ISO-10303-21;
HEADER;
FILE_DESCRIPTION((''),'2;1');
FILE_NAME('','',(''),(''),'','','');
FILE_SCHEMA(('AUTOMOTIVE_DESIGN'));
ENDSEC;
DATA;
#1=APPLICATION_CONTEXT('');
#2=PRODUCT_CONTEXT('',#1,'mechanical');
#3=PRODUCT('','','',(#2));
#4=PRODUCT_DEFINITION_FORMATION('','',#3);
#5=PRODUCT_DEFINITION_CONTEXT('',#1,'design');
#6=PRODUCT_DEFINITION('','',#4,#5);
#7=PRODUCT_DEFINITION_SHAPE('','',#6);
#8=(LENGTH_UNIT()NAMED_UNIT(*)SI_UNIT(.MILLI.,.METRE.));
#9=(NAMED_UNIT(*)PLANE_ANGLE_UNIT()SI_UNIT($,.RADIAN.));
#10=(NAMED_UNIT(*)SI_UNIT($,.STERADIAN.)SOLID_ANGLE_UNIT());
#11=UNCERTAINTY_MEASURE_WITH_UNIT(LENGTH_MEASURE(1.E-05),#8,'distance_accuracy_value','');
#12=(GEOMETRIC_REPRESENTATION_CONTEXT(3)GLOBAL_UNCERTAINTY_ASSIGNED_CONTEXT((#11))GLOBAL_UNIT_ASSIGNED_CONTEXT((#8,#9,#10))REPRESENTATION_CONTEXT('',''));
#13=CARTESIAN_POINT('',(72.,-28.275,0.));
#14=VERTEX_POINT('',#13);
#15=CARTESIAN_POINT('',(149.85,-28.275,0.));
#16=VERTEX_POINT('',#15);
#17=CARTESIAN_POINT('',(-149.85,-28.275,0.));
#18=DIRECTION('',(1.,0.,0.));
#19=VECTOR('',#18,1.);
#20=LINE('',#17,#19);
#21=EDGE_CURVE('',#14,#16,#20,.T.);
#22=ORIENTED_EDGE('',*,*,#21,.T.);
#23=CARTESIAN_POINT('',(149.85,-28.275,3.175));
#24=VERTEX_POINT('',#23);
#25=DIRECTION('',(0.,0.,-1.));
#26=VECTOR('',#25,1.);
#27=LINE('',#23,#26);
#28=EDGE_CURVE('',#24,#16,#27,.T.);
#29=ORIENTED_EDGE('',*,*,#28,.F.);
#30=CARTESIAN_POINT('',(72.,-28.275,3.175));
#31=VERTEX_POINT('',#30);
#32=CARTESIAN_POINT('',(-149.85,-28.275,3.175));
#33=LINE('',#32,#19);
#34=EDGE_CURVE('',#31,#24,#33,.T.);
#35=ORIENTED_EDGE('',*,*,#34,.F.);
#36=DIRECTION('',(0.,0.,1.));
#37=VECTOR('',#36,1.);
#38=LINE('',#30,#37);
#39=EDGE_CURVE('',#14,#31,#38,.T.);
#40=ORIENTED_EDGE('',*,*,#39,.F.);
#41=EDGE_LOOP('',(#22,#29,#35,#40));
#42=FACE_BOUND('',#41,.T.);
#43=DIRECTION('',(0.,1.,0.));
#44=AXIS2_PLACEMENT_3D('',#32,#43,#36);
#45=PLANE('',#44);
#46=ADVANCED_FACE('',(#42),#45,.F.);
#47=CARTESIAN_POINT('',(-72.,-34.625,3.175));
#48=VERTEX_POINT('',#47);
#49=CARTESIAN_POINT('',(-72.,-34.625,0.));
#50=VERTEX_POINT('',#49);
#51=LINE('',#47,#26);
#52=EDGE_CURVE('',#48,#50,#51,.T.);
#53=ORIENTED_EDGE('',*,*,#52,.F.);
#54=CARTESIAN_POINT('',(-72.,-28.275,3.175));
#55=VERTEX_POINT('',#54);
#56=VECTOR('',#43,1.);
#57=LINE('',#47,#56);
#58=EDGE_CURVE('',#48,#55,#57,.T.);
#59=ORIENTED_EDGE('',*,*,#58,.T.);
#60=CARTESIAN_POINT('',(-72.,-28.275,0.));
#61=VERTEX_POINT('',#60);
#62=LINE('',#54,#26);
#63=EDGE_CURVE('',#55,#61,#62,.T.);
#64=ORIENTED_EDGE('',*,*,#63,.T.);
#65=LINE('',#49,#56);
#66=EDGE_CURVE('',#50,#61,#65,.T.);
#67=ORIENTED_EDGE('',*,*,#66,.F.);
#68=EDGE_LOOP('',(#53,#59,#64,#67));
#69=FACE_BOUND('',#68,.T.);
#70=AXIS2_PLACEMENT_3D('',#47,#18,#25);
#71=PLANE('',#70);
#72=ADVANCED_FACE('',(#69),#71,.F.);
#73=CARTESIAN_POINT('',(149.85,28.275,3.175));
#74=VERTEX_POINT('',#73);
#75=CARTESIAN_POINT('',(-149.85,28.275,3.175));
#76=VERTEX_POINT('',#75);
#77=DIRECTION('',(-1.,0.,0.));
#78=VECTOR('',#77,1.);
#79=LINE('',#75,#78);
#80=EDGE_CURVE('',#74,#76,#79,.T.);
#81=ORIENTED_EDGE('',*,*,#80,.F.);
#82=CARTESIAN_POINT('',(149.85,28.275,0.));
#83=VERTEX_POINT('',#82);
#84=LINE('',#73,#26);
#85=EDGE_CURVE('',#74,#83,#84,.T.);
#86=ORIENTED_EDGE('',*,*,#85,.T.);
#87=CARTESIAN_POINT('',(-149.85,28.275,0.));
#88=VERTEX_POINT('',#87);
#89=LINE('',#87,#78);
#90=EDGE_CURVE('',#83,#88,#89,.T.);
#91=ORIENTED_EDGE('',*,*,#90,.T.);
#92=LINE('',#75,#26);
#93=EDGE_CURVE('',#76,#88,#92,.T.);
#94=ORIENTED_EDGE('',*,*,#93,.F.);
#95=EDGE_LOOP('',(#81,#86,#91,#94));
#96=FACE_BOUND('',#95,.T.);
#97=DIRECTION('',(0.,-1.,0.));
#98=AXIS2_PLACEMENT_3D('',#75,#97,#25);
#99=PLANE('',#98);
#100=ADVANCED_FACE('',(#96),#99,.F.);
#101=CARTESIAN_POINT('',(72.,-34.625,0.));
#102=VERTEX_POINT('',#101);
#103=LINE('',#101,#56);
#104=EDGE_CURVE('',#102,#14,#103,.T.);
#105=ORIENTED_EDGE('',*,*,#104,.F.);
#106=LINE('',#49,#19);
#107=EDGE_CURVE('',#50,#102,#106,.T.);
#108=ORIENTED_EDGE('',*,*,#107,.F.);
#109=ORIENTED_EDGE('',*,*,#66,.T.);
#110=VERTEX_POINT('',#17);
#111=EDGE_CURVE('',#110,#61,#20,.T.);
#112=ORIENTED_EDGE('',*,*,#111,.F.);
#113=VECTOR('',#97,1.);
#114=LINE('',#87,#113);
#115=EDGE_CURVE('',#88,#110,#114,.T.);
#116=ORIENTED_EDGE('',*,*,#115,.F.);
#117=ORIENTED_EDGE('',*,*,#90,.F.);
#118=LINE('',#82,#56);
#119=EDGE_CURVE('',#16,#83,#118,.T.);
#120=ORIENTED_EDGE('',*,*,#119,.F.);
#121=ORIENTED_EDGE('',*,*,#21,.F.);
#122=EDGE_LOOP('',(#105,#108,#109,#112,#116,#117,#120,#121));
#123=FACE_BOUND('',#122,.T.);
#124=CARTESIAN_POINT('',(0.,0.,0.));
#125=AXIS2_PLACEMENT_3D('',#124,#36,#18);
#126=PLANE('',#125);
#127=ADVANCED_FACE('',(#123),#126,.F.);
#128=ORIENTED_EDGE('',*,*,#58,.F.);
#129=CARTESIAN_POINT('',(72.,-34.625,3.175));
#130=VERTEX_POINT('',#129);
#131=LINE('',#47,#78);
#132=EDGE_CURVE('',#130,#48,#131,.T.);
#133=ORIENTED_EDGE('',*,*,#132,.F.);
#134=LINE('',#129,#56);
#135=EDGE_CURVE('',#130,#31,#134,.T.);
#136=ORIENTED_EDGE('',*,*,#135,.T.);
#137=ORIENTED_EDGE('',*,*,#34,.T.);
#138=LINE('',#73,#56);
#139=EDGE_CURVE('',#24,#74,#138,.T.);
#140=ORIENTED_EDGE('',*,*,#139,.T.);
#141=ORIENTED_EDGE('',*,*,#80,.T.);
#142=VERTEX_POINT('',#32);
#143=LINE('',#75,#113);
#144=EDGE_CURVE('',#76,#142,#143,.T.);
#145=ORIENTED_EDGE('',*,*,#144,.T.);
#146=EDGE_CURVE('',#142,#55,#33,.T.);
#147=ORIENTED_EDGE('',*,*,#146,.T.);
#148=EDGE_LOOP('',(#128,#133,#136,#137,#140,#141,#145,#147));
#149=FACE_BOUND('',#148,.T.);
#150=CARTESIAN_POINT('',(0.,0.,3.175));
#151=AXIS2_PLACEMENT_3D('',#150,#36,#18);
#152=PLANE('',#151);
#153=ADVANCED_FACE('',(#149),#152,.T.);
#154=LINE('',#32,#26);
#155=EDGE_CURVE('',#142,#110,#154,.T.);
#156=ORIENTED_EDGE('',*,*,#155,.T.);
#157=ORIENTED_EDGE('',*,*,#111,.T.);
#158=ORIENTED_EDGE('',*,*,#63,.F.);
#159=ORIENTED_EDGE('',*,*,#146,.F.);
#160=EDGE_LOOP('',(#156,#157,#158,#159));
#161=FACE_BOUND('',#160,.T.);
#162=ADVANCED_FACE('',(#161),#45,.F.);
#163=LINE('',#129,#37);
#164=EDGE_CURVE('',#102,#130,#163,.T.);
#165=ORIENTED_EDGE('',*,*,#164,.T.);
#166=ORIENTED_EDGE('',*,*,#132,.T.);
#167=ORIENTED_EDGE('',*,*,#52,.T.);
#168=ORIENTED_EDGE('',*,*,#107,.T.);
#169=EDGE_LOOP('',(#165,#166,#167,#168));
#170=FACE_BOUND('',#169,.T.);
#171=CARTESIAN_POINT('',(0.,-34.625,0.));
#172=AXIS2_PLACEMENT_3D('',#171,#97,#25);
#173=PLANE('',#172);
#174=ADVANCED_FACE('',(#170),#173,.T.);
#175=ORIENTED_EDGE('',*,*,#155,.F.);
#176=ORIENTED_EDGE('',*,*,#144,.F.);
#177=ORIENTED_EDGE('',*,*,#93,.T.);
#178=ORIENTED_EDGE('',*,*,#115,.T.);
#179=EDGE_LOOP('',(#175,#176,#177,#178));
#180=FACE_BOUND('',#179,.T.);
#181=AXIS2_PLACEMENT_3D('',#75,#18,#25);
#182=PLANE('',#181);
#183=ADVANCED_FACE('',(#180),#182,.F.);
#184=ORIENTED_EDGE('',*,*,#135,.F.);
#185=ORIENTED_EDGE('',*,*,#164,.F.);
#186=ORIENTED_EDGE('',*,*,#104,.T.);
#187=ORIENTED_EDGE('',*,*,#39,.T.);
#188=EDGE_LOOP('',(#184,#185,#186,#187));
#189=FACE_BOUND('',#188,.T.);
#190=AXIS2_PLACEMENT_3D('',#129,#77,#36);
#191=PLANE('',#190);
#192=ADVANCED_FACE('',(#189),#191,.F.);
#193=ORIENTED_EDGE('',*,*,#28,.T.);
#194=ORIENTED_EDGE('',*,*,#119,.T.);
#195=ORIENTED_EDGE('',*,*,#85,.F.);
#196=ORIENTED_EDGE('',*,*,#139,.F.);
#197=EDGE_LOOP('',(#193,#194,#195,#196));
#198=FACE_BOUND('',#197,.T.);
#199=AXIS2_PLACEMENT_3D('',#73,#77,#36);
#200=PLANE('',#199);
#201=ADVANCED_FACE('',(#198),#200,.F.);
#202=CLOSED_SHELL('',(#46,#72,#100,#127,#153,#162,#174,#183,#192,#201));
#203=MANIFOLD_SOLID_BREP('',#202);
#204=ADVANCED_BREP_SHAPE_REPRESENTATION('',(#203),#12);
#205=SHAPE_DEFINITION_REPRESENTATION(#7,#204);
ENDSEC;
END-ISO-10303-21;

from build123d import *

# Parameters (mm, degrees)
SKETCH1_W           = 299.7
SKETCH1_H           = 56.55
BOSS_EXTRUDE1_DEPTH = 3.175
SKETCH2_W           = 144
SKETCH2_H           = 3.175
BOSS_EXTRUDE2_DEPTH = 6.35


with BuildPart() as part:
    # Sketch1 → Boss-Extrude1 (new body)
    with BuildSketch(Plane.XY):
        Rectangle(SKETCH1_W, SKETCH1_H)
    extrude(amount=BOSS_EXTRUDE1_DEPTH)

    # Sketch2 → Boss-Extrude2 (add)
    with BuildSketch(Plane.XZ.offset(28.275)):
        with Locations((0, 1.5875)):
            Rectangle(SKETCH2_W, SKETCH2_H)
    extrude(amount=BOSS_EXTRUDE2_DEPTH)


solid = part.part
